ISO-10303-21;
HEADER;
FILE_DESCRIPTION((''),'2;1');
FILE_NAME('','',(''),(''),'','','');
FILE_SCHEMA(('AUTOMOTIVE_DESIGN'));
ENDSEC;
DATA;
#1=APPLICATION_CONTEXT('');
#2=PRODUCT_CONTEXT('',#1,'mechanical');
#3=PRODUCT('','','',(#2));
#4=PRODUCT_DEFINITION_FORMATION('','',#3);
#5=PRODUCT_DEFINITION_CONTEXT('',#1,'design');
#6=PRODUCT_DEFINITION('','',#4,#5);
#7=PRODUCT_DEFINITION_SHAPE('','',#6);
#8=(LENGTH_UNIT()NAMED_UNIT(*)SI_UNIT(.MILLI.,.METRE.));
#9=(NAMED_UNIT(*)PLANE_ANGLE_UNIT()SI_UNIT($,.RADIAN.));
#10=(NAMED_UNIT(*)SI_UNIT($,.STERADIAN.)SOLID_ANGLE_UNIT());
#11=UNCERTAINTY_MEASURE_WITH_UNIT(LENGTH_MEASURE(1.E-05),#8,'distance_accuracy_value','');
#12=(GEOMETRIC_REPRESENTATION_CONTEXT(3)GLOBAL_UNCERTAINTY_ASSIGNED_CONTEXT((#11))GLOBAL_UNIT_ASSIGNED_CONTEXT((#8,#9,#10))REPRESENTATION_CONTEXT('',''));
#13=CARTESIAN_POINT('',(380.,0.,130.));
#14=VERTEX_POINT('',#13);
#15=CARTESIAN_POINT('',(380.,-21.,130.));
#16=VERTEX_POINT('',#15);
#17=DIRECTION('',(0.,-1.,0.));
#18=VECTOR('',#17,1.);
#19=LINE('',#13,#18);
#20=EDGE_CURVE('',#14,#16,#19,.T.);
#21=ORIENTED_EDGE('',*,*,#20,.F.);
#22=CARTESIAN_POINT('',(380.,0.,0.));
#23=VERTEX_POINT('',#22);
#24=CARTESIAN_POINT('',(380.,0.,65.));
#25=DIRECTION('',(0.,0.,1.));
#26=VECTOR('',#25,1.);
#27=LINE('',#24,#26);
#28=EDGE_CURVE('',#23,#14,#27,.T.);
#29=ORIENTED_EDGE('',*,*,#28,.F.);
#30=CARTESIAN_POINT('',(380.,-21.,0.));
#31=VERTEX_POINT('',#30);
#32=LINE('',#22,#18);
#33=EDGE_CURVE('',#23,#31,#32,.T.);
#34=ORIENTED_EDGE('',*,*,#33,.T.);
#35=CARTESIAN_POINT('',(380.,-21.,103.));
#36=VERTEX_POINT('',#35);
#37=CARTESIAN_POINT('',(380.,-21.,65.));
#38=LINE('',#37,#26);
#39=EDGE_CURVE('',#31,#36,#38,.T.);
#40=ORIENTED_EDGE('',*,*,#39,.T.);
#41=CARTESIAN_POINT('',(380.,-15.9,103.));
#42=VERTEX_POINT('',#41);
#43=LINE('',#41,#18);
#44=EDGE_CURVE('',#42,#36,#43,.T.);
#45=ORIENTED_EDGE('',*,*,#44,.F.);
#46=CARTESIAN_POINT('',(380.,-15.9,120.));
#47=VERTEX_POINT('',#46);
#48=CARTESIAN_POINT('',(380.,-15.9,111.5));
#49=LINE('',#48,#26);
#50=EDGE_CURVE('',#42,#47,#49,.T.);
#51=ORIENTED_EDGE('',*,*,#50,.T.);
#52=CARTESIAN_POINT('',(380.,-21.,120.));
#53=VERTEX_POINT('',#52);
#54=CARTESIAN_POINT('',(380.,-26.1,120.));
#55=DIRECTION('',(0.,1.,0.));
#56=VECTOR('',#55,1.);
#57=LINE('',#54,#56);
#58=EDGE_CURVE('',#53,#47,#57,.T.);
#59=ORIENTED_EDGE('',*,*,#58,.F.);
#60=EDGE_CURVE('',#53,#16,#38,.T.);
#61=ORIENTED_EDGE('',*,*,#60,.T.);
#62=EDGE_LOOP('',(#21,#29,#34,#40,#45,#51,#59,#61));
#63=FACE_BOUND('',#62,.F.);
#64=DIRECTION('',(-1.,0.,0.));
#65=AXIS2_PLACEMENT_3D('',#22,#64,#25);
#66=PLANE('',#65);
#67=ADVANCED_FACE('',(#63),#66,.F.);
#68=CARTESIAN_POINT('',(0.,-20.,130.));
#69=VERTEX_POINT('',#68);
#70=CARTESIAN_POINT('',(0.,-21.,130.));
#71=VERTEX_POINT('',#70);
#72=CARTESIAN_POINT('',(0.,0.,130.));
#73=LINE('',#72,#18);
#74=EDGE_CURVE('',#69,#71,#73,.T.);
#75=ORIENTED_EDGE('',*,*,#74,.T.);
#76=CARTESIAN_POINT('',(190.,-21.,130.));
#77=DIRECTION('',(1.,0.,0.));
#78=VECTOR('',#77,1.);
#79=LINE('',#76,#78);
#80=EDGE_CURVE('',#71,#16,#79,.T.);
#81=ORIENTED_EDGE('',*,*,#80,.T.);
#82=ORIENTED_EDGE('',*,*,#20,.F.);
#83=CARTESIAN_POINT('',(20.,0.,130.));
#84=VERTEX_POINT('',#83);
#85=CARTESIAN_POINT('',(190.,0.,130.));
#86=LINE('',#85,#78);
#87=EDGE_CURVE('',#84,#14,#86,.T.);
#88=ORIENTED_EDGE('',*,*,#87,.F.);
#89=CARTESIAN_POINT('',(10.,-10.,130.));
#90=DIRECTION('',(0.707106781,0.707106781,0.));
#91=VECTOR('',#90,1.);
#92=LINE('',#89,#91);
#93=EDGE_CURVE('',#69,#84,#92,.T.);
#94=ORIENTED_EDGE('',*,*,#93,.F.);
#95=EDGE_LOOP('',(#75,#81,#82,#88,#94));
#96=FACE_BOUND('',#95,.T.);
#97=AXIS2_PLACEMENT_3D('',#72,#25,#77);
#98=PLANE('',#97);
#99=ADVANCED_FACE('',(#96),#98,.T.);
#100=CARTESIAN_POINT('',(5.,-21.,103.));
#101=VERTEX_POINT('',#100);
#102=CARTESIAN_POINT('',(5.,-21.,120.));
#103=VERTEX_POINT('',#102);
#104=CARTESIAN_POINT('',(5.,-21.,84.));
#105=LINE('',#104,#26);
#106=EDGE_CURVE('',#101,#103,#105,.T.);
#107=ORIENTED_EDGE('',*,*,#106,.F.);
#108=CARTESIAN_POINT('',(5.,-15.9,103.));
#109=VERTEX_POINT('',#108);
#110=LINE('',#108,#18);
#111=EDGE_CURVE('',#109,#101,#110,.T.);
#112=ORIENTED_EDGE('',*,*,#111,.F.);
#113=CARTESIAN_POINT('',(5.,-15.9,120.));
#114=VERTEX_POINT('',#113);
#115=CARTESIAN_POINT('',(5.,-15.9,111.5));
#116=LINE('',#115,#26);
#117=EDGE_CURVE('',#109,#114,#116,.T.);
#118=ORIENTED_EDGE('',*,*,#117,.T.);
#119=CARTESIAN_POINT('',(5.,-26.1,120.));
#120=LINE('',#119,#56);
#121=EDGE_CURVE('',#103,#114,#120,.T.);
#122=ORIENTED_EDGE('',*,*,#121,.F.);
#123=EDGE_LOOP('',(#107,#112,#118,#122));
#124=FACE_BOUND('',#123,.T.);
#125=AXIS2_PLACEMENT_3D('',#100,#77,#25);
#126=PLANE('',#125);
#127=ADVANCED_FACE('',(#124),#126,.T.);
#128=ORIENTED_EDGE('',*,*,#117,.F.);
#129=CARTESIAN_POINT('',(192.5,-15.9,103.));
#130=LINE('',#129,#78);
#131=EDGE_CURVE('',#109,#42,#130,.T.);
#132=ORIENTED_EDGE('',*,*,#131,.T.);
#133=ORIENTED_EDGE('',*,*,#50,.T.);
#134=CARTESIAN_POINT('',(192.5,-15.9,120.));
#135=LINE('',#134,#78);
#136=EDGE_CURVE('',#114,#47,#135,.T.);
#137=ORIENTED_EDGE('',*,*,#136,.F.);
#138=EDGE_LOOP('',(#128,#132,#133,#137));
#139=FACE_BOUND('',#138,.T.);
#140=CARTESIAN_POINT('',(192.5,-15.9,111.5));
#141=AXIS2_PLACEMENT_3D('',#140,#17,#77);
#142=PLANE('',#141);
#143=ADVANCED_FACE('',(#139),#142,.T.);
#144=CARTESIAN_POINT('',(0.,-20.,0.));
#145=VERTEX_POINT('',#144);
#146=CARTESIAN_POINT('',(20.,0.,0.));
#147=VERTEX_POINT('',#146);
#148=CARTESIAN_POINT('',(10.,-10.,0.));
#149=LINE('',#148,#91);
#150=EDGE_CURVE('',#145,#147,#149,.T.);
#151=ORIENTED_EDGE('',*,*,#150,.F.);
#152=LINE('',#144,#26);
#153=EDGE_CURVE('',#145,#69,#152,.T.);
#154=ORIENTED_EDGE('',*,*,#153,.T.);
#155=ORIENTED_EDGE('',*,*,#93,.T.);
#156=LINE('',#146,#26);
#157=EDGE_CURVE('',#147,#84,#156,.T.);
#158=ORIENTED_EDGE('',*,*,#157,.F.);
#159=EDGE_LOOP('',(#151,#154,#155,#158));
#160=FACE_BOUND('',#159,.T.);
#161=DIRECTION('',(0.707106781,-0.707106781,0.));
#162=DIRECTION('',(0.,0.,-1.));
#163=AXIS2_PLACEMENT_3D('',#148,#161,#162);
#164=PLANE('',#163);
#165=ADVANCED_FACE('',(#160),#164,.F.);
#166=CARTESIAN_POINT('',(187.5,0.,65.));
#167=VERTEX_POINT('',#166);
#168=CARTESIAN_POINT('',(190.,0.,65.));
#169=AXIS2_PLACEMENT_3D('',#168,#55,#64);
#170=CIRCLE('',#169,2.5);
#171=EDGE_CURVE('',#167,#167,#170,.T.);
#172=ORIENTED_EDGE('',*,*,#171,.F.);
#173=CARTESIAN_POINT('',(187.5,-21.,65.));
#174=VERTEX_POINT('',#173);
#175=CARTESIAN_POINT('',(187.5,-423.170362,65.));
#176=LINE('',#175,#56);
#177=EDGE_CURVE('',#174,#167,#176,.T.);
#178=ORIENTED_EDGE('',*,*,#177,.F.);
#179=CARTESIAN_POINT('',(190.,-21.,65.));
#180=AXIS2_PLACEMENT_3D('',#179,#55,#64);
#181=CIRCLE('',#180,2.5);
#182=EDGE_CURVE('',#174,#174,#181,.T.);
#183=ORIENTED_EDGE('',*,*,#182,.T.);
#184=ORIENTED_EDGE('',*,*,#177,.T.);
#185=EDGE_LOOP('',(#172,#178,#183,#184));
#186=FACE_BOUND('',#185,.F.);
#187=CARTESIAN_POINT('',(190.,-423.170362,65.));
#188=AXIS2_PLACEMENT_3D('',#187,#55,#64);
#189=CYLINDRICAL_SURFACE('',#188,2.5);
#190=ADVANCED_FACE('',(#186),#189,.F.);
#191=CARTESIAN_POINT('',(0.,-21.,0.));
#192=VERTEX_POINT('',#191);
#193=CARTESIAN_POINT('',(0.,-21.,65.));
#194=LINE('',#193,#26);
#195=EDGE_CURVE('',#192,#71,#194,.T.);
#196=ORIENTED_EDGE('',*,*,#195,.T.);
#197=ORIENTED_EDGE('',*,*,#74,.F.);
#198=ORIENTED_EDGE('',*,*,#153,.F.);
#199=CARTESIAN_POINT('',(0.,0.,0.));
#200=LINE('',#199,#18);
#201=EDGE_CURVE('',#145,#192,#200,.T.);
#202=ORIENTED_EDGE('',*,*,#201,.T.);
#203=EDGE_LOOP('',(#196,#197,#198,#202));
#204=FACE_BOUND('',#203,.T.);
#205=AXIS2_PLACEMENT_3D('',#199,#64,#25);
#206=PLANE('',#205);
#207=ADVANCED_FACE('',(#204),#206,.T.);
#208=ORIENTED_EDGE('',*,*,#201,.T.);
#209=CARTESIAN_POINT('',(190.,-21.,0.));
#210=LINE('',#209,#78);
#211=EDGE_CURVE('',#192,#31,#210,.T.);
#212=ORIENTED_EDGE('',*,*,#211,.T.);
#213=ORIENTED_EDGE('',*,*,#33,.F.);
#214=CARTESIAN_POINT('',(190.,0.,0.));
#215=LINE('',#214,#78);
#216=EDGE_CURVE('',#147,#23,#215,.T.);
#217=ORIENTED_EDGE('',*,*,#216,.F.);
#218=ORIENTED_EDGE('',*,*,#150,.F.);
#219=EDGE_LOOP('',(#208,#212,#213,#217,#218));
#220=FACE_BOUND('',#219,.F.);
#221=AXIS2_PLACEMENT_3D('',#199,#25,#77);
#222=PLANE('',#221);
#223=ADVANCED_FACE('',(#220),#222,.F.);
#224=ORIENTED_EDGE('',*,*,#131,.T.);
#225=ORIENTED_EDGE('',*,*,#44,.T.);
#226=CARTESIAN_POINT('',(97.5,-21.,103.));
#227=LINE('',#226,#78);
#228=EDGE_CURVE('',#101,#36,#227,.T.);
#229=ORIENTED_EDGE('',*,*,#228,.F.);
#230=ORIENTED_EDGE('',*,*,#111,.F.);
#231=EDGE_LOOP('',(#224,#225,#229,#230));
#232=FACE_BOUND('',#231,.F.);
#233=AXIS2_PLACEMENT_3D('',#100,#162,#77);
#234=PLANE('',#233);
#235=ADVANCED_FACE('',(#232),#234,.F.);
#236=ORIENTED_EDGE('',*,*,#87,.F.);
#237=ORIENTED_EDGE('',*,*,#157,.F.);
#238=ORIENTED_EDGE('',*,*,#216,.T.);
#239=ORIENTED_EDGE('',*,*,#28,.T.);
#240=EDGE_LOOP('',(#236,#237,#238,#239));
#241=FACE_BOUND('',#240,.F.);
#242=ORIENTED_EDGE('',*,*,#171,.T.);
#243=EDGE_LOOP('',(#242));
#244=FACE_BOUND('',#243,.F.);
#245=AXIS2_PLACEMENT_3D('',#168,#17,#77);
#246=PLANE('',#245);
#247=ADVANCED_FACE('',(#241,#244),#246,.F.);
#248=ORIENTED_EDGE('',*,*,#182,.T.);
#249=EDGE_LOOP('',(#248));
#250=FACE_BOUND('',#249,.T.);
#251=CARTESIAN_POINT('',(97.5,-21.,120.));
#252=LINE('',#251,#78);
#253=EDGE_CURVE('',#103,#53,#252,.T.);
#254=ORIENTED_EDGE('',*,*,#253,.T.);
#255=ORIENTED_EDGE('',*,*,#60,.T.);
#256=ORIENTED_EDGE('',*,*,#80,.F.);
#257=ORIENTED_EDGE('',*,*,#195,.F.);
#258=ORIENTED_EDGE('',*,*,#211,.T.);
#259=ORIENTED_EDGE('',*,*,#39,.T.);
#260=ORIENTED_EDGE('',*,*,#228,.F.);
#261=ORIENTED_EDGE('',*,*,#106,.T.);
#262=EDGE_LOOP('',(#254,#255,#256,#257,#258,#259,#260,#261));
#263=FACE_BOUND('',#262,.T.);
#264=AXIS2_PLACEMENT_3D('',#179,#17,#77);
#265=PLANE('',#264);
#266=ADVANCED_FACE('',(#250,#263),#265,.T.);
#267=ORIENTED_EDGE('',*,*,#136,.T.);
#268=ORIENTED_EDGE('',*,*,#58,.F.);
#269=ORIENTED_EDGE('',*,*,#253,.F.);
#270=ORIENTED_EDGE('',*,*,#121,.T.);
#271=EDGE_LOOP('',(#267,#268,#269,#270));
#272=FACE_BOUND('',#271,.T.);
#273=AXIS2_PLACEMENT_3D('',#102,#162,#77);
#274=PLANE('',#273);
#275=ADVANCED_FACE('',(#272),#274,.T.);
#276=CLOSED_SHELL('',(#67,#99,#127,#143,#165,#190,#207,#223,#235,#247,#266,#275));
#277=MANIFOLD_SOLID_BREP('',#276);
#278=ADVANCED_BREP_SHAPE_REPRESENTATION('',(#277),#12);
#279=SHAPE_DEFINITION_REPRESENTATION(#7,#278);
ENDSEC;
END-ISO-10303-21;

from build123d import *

# Parameters (mm, degrees)
F0_W     = 380
F0_H     = 130
F1_DEPTH = 21
F2_W     = 375
F2_H     = 17
F3_DEPTH = 5.1
F4_SIZE  = 20
F6_D     = 5


with BuildPart() as f1:
    # F0 (on Front) → F1 (new body)
    with BuildSketch(Plane.XZ):
        with Locations((190, 65)):
            Rectangle(F0_W, F0_H)
    extrude(amount=F1_DEPTH)

    # F2 (on face) → F3 (cut, symmetric)
    with BuildSketch(Plane.XZ.offset(21)):
        with Locations((192.5, 111.5)):
            Rectangle(F2_W, F2_H)
    extrude(amount=F3_DEPTH, both=True, mode=Mode.SUBTRACT)

    # F4
    f4_edges = [f1.edges().sort_by_distance(p)[0] for p in [
        (0, 0, 65),
    ]]
    chamfer(f4_edges, length=F4_SIZE)

    # F6 (through all)
    with Locations(Plane.XZ.offset(21)):
        with Locations((190, 65)):
            Hole(F6_D / 2)


solid = f1.part
